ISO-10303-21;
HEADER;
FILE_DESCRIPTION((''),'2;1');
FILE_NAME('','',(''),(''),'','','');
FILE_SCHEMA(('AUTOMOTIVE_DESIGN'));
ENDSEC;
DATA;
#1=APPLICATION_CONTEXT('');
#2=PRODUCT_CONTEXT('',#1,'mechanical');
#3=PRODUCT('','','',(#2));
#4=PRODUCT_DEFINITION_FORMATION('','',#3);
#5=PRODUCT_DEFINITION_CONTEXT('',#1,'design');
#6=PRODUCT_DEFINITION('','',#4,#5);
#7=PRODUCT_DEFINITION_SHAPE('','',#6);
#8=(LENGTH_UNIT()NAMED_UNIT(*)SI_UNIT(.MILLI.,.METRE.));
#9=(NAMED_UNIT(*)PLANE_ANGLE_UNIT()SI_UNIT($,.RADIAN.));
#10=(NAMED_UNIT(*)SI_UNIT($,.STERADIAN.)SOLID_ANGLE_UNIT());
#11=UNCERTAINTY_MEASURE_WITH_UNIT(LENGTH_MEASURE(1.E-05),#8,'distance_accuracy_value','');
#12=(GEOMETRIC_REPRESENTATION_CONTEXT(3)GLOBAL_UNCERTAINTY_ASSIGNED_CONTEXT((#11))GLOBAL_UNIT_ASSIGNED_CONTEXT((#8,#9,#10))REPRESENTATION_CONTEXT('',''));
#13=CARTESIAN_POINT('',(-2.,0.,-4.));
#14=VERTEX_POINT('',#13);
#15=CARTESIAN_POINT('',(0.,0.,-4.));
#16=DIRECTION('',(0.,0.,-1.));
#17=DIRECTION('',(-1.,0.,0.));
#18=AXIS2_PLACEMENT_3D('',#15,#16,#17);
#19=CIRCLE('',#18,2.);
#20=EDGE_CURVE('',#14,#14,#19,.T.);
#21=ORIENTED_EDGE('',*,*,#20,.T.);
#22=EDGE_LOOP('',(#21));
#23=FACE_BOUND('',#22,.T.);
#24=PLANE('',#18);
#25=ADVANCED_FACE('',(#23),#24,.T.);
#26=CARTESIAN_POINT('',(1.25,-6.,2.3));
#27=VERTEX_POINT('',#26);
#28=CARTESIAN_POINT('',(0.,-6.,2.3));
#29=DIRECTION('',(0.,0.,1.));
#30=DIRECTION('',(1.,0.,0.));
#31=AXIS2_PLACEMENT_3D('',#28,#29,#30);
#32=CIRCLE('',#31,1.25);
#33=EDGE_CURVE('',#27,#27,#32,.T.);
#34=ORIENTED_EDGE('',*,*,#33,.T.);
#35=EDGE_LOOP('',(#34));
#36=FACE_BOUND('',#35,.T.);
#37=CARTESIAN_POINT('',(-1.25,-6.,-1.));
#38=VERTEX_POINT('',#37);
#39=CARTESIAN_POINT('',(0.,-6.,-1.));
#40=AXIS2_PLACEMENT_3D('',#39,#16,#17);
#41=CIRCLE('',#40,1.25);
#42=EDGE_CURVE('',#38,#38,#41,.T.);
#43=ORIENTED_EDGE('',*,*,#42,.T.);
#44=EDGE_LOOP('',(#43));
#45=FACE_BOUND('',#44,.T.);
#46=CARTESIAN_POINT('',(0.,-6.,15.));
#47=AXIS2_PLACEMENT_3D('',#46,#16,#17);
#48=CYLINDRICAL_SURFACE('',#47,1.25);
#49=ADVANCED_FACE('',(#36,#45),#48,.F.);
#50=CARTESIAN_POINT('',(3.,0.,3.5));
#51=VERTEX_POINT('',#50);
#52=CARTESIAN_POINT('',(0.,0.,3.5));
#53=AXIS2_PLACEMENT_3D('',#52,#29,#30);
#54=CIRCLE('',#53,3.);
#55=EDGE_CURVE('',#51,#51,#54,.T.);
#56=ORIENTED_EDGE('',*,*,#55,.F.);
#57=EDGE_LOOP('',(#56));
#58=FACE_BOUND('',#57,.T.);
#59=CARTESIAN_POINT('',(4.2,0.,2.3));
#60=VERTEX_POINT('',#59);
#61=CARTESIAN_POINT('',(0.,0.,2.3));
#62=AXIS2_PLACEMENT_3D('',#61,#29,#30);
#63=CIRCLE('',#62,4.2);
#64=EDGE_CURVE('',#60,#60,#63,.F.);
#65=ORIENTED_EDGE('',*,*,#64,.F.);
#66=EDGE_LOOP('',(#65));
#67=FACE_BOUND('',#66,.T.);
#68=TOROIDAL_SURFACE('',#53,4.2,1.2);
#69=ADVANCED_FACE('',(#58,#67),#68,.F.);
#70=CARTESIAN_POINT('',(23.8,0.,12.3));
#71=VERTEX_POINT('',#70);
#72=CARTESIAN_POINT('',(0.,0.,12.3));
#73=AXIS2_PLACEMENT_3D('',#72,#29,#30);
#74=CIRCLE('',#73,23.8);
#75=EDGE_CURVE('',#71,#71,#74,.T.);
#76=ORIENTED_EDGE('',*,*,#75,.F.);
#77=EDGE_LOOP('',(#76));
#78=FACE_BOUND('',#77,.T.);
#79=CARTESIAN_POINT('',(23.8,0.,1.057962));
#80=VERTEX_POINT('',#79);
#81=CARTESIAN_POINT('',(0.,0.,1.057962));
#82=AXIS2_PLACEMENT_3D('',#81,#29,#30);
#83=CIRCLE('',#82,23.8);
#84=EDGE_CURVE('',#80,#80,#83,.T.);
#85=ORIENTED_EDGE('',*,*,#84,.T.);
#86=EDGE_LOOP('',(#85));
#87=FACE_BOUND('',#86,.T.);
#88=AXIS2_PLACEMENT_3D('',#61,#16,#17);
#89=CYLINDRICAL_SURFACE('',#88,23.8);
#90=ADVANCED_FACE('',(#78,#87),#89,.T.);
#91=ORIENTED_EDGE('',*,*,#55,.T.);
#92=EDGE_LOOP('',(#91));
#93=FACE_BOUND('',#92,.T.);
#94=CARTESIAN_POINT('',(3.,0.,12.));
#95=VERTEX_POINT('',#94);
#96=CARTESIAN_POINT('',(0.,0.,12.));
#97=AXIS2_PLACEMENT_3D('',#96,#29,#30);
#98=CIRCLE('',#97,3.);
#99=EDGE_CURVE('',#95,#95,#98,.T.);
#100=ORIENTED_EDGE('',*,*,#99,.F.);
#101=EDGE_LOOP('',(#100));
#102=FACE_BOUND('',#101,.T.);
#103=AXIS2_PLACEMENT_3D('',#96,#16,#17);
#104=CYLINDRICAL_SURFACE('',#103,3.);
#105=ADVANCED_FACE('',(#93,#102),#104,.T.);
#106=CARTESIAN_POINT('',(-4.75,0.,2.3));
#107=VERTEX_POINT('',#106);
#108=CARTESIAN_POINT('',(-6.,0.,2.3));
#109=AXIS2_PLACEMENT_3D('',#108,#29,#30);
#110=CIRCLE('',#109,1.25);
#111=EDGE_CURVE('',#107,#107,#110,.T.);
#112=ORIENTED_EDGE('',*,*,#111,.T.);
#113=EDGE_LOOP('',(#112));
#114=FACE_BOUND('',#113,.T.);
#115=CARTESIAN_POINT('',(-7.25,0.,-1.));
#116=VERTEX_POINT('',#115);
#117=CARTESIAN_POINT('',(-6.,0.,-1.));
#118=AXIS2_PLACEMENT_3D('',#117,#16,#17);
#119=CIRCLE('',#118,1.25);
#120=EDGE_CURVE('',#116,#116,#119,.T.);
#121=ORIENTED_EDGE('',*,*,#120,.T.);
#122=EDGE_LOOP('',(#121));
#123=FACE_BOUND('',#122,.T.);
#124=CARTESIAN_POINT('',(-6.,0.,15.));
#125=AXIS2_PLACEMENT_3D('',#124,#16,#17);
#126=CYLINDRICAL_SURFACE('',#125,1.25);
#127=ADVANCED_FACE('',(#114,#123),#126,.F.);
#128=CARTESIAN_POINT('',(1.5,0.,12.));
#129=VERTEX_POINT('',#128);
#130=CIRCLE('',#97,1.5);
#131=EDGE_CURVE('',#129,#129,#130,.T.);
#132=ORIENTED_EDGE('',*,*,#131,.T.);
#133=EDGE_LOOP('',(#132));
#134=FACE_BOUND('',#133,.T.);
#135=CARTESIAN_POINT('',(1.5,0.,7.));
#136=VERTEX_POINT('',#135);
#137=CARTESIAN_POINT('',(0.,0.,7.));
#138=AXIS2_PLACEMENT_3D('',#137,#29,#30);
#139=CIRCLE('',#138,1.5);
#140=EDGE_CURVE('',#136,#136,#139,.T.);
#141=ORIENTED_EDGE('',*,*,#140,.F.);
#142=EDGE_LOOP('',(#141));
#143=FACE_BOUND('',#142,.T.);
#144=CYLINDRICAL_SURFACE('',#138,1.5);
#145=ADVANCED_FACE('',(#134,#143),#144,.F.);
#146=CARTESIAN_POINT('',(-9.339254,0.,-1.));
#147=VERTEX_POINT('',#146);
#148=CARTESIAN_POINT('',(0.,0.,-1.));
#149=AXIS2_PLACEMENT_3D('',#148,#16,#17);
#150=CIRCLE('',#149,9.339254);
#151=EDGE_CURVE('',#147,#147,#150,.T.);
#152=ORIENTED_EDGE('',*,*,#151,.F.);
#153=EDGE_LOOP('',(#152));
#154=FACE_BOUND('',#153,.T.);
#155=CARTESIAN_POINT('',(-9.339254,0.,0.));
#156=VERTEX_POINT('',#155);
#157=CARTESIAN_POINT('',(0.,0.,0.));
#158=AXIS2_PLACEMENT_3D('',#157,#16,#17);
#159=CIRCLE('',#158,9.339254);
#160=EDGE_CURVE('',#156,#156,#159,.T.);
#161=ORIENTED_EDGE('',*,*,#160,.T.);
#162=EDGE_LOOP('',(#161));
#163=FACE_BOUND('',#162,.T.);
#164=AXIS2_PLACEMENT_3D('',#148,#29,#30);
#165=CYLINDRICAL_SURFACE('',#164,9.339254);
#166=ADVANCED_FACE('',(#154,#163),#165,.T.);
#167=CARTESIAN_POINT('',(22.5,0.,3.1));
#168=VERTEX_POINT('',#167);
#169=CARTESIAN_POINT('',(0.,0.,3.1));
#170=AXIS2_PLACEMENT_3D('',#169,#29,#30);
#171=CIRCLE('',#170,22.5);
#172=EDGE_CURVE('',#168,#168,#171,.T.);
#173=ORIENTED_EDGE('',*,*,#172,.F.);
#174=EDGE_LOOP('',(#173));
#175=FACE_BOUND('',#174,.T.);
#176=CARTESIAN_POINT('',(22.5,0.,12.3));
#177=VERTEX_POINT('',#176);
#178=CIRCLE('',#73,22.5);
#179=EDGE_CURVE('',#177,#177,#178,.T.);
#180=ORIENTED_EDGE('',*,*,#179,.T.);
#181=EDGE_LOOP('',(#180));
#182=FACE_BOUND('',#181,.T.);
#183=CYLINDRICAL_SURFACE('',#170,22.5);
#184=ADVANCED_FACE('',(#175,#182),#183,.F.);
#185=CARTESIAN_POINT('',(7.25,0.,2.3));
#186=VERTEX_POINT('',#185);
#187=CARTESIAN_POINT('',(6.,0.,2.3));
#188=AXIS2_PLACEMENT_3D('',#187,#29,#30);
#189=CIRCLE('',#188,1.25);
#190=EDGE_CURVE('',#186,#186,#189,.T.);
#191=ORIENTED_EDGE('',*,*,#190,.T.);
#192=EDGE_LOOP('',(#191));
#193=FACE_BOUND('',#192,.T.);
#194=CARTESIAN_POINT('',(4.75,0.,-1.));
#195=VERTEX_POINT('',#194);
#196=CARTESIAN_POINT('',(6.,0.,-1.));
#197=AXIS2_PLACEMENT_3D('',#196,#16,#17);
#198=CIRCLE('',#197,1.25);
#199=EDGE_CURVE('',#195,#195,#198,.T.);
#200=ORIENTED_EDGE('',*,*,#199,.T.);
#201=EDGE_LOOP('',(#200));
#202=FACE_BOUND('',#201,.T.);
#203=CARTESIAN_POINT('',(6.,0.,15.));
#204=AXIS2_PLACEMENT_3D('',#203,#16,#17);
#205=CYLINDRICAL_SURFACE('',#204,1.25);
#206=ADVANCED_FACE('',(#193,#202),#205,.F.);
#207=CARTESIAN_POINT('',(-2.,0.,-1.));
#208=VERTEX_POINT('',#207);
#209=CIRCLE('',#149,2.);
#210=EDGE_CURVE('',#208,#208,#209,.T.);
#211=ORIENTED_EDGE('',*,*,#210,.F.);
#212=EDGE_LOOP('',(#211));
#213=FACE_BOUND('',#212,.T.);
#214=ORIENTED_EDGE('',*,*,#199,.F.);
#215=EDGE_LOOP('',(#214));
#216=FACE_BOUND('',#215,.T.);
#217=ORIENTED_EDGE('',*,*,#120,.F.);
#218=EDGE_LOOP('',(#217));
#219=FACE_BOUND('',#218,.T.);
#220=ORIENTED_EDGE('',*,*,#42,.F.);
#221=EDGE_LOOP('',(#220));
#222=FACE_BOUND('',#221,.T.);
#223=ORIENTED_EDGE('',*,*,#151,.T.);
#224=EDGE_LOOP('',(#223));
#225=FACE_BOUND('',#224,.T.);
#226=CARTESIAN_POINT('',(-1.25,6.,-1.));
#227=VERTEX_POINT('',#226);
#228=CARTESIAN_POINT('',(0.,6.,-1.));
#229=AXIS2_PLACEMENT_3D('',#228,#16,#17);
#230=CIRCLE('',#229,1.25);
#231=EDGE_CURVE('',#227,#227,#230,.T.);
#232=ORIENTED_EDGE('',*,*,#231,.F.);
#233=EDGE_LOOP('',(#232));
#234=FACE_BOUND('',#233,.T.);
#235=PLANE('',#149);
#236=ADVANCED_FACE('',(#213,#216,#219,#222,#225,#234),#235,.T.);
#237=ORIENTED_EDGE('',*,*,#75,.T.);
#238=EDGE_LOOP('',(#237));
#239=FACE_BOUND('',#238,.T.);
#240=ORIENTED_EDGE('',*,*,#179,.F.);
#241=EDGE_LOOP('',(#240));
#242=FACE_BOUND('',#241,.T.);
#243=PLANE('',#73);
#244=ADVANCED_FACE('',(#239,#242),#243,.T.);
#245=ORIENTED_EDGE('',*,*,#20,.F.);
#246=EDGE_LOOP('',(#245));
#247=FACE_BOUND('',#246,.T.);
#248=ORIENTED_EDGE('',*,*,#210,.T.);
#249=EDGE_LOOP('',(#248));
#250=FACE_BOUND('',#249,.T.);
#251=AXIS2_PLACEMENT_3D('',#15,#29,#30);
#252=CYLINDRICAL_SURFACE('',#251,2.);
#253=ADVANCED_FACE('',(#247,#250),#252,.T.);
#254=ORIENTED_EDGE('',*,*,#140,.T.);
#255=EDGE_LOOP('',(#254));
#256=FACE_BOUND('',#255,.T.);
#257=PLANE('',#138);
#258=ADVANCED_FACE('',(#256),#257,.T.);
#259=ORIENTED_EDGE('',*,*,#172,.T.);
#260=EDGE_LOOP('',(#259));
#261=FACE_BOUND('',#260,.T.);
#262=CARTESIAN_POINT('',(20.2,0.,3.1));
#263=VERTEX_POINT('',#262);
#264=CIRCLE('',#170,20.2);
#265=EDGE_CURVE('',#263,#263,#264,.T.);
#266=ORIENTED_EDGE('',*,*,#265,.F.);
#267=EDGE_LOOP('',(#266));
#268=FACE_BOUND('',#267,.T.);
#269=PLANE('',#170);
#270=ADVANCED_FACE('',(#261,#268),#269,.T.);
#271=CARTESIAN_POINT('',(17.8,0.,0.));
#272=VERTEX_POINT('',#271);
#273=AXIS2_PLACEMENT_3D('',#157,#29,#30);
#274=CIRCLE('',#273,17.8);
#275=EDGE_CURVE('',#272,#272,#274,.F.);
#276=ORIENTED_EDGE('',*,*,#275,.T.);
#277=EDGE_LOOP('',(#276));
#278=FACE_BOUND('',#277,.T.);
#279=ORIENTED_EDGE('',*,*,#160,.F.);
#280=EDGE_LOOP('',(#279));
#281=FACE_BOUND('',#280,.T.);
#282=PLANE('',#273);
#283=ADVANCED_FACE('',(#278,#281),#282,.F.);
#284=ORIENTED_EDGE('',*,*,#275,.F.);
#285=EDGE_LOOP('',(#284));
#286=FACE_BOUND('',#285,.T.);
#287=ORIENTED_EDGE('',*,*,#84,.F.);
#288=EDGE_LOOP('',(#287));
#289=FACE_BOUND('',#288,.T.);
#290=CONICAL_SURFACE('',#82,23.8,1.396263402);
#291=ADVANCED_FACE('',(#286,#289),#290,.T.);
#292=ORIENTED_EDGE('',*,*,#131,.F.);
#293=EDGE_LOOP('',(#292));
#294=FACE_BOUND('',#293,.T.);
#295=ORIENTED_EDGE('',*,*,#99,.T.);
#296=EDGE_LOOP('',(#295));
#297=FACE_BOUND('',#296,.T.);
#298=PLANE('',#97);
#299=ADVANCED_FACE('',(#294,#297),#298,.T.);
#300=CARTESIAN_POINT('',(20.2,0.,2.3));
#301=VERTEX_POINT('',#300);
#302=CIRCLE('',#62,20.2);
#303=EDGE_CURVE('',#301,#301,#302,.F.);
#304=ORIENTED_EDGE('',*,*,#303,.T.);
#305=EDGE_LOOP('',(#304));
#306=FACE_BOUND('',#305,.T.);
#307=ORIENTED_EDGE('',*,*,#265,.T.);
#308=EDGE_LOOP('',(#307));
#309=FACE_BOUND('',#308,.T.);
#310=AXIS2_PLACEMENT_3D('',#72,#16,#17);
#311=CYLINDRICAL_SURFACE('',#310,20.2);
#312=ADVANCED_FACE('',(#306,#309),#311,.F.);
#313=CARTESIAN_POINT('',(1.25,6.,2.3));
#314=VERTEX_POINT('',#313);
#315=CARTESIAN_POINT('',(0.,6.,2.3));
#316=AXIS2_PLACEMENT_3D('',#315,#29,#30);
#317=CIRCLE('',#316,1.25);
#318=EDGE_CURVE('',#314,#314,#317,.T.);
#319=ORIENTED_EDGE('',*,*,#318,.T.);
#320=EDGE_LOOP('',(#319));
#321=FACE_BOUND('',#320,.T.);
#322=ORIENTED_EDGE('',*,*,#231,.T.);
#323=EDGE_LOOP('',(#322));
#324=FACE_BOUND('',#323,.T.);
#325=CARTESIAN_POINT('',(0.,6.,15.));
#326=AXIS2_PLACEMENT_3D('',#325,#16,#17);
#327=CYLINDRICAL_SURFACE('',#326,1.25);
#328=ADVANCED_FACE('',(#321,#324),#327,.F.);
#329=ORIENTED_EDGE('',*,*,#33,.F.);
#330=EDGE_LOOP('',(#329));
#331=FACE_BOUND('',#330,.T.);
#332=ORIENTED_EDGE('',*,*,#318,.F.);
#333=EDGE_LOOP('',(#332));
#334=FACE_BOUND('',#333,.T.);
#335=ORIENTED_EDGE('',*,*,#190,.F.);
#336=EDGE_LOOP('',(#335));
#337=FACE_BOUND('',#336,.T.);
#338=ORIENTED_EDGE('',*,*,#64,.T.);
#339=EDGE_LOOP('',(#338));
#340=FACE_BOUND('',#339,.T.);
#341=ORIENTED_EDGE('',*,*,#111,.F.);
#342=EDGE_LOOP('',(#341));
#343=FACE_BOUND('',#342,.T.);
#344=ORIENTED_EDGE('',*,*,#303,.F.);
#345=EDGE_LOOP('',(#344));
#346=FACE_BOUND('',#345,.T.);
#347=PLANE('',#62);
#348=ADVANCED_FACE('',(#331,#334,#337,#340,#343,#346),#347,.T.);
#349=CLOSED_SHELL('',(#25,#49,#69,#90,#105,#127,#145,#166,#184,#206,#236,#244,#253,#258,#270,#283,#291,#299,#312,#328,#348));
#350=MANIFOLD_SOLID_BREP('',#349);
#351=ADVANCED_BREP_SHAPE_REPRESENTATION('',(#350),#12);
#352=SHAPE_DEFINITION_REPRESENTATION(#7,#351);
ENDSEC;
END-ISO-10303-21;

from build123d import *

# Parameters (mm, degrees)
SKETCH1_R               = 23.8
BOSS_EXTRUDE1_DEPTH     = 2.3
SKETCH2_R               = 23.8
SKETCH2_R_2             = 20.2
BOSS_EXTRUDE2_DEPTH     = 10
SKETCH3_R               = 3
BOSS_EXTRUDE3_DEPTH     = 9.7
CHAMFER1_SIZE           = 6
CHAMFER1_SIZE2          = 1.057961884
SKETCH4_R               = 1.25
CUT_EXTRUDE1_DEPTH      = 15
CUT_EXTRUDE3_START      = -9.2
SKETCH6_R               = 22.5
SKETCH6_R_2             = 20.2
CUT_EXTRUDE3_DEPTH      = 9.2
SKETCH7_R               = 1.5
CUT_EXTRUDE4_DEPTH      = 5
REDONDEO1_R             = 1.2
SALIENTE_EXTRUIR1_START = 1
CROQUIS1_R              = 9.339254136
CROQUIS1_R_2            = 1.25
SALIENTE_EXTRUIR1_DEPTH = 1
CROQUIS2_R              = 2
SALIENTE_EXTRUIR2_DEPTH = 3


with BuildPart() as part:
    # Sketch1 → Boss-Extrude1 (new body)
    with BuildSketch(Plane.XY):
        Circle(SKETCH1_R)
    extrude(amount=BOSS_EXTRUDE1_DEPTH)

    # Sketch2 → Boss-Extrude2 (add)
    with BuildSketch(Plane.XY.offset(2.3)):
        Circle(SKETCH2_R)
        Circle(SKETCH2_R_2, mode=Mode.SUBTRACT)
    extrude(amount=BOSS_EXTRUDE2_DEPTH)

    # Sketch3 → Boss-Extrude3 (add)
    with BuildSketch(Plane.XY.offset(2.3)):
        Circle(SKETCH3_R)
    extrude(amount=BOSS_EXTRUDE3_DEPTH)

    # Chamfer1
    chamfer1_edges = [part.edges().sort_by_distance(p)[0] for p in [
        (-23.8, 0, 0),
    ]]
    chamfer1_side = [part.faces().sort_by_distance(p)[0] for p in [
        (0, 0, 0),
    ]]
    chamfer(chamfer1_edges, length=CHAMFER1_SIZE, length2=CHAMFER1_SIZE2, reference=chamfer1_side[0])

    # Sketch4 → Cut-Extrude1 (cut)
    with BuildSketch(Plane(origin=(0, 0, 0), x_dir=(-1, 0, 0), z_dir=(0, 0, -1))):
        with Locations((6, 0)):
            Circle(SKETCH4_R)
        with Locations((0, -6)):
            Circle(SKETCH4_R)
        with Locations((-6, 0)):
            Circle(SKETCH4_R)
        with Locations((0, 6)):
            Circle(SKETCH4_R)
    extrude(amount=-CUT_EXTRUDE1_DEPTH, mode=Mode.SUBTRACT)

    # Sketch6 → Cut-Extrude3 (cut)
    with BuildSketch(Plane.XY.offset(12.3).offset(CUT_EXTRUDE3_START)):
        Circle(SKETCH6_R)
        Circle(SKETCH6_R_2, mode=Mode.SUBTRACT)
    extrude(amount=CUT_EXTRUDE3_DEPTH, mode=Mode.SUBTRACT)

    # Sketch7 → Cut-Extrude4 (cut)
    with BuildSketch(Plane.XY.offset(12)):
        Circle(SKETCH7_R)
    extrude(amount=-CUT_EXTRUDE4_DEPTH, mode=Mode.SUBTRACT)

    # Redondeo1
    redondeo1_edges = [part.edges().sort_by_distance(p)[0] for p in [
        (-3, 0, 2.3),
    ]]
    fillet(redondeo1_edges, radius=REDONDEO1_R)

    # Croquis1 → Saliente-Extruir1 (add)
    with BuildSketch(Plane(origin=(0, 0, 0), x_dir=(-1, 0, 0), z_dir=(0, 0, -1)).offset(SALIENTE_EXTRUIR1_START)):
        Circle(CROQUIS1_R)
        with Locations((0, 6)):
            Circle(CROQUIS1_R_2, mode=Mode.SUBTRACT)
        with Locations((6, 0)):
            Circle(CROQUIS1_R_2, mode=Mode.SUBTRACT)
        with Locations((0, -6)):
            Circle(CROQUIS1_R_2, mode=Mode.SUBTRACT)
        with Locations((-6, 0)):
            Circle(CROQUIS1_R_2, mode=Mode.SUBTRACT)
    extrude(amount=-SALIENTE_EXTRUIR1_DEPTH)

    # Croquis2 → Saliente-Extruir2 (add)
    with BuildSketch(Plane(origin=(0, 0, -1), x_dir=(-1, 0, 0), z_dir=(0, 0, -1))):
        Circle(CROQUIS2_R)
    extrude(amount=SALIENTE_EXTRUIR2_DEPTH)


solid = part.part
